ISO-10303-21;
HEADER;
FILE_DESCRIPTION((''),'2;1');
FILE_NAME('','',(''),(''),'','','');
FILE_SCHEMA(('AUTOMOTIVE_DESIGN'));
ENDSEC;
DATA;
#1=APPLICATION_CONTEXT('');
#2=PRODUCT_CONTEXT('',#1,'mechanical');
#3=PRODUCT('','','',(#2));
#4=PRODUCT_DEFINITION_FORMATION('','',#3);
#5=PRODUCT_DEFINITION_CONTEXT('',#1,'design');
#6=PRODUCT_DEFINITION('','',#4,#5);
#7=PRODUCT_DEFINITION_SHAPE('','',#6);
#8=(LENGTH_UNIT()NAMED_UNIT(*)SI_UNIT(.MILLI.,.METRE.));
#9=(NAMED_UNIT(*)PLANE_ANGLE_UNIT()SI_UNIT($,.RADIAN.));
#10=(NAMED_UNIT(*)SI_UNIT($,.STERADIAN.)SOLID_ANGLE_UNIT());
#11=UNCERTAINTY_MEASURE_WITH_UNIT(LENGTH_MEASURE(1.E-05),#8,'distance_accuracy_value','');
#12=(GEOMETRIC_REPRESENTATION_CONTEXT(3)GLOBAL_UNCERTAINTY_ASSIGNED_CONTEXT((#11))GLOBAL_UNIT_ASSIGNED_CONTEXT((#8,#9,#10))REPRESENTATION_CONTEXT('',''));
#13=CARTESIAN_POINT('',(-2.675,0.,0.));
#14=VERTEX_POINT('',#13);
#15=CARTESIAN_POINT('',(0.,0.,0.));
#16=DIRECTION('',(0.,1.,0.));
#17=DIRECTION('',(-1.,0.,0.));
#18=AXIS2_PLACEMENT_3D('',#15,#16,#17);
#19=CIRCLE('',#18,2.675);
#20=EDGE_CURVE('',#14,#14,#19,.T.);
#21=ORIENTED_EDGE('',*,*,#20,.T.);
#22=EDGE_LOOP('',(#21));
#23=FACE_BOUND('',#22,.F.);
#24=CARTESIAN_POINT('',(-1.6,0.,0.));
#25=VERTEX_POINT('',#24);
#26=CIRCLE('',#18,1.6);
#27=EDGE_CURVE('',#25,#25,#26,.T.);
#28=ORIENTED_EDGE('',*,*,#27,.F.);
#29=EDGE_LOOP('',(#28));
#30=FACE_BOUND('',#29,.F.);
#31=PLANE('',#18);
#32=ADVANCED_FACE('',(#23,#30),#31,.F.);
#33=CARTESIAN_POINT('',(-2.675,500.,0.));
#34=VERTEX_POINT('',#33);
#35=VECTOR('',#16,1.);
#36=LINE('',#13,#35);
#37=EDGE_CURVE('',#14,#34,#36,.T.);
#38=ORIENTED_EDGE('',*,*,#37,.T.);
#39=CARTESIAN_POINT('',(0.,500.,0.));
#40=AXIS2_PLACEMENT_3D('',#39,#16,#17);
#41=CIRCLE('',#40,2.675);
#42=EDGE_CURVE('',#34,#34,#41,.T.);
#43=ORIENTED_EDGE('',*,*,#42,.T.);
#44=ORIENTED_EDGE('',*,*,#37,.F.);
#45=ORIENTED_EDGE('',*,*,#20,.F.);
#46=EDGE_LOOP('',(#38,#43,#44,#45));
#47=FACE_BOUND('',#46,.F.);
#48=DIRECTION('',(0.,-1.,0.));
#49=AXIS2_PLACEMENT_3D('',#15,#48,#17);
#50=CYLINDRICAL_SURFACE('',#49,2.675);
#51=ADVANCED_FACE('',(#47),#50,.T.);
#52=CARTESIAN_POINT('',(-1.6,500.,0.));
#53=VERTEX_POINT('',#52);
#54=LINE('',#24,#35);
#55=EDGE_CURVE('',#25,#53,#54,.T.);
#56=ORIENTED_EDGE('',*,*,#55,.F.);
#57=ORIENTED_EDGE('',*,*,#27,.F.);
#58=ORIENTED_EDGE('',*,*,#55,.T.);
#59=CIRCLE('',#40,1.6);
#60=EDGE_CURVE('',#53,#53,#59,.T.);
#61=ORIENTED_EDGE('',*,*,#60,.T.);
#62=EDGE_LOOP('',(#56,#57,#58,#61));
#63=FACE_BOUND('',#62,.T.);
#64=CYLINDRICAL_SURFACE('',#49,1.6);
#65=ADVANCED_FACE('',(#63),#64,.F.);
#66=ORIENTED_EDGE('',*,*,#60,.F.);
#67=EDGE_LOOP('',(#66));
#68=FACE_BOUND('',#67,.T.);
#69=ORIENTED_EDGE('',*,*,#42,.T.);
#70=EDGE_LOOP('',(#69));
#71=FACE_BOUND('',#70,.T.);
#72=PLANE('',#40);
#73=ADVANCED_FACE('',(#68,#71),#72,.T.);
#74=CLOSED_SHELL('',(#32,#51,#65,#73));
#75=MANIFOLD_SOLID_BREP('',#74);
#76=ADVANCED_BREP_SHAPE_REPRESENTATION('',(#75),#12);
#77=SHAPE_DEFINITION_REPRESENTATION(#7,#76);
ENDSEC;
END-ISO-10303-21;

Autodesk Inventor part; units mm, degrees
ref_plane "YZ Plane" through (0, 0, 0) normal (1, 0, 0) x (0, 1, 0)
ref_plane "XZ Plane" through (0, 0, 0) normal (0, 1, 0) x (-1, 0, 0)
ref_plane "XY Plane" through (0, 0, 0) normal (0, 0, 1) x (1, 0, 0)
sketch "Sketch1" plane through (0, 0, 0) normal (0, 1, 0) x (-1, 0, 0)
  circle A0 centre (0, 0) radius 2.675
  circle A1 centre (0, 0) radius 1.6
  dimension "d0" = 5.35
  dimension "d3" = 3.2
extrude "Extrusion1" add sketch "Sketch1" along normal blind 500
properties part number "Landing_leg_rod"
